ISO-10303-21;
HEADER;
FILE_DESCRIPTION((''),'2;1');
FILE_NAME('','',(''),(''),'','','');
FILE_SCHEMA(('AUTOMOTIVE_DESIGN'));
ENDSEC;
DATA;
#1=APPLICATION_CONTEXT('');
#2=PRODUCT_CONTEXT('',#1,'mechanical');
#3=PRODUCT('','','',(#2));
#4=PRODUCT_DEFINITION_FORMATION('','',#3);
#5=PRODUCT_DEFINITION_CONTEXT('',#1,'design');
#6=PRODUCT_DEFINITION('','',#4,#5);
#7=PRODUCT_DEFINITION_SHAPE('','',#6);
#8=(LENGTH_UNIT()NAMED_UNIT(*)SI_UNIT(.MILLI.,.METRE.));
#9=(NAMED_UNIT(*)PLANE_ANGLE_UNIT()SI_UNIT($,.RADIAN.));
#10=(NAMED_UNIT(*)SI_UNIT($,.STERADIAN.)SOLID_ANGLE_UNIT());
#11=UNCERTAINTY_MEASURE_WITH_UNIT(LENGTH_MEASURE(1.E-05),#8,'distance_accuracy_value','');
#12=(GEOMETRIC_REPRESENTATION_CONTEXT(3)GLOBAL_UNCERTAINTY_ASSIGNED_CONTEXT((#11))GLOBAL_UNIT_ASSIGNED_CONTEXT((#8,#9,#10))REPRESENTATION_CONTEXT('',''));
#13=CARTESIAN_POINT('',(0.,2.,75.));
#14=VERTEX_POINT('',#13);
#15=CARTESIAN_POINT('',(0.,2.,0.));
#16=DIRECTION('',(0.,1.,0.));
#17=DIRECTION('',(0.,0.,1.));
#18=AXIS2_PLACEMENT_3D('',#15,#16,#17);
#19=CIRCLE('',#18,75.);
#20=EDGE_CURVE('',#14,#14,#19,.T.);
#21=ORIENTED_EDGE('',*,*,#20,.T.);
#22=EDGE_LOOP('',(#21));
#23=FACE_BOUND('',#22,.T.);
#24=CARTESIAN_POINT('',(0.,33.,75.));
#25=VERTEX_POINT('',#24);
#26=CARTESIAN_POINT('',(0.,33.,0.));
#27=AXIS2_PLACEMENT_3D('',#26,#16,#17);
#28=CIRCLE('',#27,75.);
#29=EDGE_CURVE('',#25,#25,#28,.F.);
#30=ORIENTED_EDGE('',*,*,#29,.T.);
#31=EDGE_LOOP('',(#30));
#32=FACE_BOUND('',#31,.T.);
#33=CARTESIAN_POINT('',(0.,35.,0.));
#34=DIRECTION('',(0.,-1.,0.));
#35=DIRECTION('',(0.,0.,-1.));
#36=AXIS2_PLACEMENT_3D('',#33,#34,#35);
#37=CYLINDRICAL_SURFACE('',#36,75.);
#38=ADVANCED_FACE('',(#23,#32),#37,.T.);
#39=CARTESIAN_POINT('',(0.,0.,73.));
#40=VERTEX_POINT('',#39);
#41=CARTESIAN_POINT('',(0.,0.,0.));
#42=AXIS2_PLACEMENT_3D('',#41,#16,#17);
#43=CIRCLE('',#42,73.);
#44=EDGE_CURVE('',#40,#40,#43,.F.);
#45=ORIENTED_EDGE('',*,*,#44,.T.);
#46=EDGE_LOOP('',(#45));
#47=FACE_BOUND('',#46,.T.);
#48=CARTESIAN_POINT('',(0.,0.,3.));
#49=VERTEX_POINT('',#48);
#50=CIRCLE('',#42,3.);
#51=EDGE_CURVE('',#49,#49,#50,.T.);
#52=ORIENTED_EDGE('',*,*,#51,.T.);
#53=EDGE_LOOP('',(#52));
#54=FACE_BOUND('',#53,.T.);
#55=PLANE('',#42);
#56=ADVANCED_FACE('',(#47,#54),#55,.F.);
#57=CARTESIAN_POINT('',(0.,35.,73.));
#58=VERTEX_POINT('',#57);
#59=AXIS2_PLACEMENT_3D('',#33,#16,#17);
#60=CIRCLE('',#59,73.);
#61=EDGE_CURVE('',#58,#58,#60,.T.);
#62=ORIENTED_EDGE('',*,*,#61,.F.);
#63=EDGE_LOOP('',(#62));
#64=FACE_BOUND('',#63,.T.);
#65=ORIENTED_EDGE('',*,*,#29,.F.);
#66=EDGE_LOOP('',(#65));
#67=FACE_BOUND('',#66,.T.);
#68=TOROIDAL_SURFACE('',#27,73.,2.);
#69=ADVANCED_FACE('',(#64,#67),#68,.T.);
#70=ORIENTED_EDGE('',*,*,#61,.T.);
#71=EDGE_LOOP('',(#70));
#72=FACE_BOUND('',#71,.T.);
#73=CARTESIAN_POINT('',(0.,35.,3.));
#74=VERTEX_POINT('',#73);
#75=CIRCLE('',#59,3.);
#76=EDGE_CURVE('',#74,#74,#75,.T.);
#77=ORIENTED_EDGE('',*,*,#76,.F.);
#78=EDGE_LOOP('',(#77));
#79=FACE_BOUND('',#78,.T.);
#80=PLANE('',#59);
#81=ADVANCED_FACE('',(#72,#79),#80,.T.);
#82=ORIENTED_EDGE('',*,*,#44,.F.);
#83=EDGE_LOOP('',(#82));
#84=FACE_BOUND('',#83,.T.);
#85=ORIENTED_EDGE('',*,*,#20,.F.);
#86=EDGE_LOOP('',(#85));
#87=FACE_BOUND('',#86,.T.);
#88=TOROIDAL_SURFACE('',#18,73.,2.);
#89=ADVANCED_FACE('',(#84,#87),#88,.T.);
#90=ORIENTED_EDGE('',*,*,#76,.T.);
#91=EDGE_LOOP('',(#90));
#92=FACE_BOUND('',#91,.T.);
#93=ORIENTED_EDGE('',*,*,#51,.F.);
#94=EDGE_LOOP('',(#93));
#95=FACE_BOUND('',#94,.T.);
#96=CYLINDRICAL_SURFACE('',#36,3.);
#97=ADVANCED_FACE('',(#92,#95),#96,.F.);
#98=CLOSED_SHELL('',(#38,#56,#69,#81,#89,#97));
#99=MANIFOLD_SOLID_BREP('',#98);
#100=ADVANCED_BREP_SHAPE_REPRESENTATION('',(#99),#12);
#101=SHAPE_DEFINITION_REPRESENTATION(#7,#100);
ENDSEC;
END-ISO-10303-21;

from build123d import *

# Parameters (mm, degrees)
SKETCH1_R           = 75
SKETCH1_R_2         = 3
BOSS_EXTRUDE1_DEPTH = 35
FILLET1_R           = 2


with BuildPart() as part:
    # Sketch1 → Boss-Extrude1 (new body)
    with BuildSketch(Plane(origin=(0, 0, 0), x_dir=(1, 0, 0), z_dir=(0, 1, 0))):
        with Locations(Location((0, 0, 0), (0, 0, 270))):
            Circle(SKETCH1_R)
        with Locations(Location((0, 0, 0), (0, 0, 270))):
            Circle(SKETCH1_R_2, mode=Mode.SUBTRACT)
    extrude(amount=BOSS_EXTRUDE1_DEPTH)

    # Fillet1
    fillet1_edges = [part.edges().sort_by_distance(p)[0] for p in [
        (0, 0, -75),
        (0, 35, -75),
    ]]
    fillet(fillet1_edges, radius=FILLET1_R)


solid = part.part
